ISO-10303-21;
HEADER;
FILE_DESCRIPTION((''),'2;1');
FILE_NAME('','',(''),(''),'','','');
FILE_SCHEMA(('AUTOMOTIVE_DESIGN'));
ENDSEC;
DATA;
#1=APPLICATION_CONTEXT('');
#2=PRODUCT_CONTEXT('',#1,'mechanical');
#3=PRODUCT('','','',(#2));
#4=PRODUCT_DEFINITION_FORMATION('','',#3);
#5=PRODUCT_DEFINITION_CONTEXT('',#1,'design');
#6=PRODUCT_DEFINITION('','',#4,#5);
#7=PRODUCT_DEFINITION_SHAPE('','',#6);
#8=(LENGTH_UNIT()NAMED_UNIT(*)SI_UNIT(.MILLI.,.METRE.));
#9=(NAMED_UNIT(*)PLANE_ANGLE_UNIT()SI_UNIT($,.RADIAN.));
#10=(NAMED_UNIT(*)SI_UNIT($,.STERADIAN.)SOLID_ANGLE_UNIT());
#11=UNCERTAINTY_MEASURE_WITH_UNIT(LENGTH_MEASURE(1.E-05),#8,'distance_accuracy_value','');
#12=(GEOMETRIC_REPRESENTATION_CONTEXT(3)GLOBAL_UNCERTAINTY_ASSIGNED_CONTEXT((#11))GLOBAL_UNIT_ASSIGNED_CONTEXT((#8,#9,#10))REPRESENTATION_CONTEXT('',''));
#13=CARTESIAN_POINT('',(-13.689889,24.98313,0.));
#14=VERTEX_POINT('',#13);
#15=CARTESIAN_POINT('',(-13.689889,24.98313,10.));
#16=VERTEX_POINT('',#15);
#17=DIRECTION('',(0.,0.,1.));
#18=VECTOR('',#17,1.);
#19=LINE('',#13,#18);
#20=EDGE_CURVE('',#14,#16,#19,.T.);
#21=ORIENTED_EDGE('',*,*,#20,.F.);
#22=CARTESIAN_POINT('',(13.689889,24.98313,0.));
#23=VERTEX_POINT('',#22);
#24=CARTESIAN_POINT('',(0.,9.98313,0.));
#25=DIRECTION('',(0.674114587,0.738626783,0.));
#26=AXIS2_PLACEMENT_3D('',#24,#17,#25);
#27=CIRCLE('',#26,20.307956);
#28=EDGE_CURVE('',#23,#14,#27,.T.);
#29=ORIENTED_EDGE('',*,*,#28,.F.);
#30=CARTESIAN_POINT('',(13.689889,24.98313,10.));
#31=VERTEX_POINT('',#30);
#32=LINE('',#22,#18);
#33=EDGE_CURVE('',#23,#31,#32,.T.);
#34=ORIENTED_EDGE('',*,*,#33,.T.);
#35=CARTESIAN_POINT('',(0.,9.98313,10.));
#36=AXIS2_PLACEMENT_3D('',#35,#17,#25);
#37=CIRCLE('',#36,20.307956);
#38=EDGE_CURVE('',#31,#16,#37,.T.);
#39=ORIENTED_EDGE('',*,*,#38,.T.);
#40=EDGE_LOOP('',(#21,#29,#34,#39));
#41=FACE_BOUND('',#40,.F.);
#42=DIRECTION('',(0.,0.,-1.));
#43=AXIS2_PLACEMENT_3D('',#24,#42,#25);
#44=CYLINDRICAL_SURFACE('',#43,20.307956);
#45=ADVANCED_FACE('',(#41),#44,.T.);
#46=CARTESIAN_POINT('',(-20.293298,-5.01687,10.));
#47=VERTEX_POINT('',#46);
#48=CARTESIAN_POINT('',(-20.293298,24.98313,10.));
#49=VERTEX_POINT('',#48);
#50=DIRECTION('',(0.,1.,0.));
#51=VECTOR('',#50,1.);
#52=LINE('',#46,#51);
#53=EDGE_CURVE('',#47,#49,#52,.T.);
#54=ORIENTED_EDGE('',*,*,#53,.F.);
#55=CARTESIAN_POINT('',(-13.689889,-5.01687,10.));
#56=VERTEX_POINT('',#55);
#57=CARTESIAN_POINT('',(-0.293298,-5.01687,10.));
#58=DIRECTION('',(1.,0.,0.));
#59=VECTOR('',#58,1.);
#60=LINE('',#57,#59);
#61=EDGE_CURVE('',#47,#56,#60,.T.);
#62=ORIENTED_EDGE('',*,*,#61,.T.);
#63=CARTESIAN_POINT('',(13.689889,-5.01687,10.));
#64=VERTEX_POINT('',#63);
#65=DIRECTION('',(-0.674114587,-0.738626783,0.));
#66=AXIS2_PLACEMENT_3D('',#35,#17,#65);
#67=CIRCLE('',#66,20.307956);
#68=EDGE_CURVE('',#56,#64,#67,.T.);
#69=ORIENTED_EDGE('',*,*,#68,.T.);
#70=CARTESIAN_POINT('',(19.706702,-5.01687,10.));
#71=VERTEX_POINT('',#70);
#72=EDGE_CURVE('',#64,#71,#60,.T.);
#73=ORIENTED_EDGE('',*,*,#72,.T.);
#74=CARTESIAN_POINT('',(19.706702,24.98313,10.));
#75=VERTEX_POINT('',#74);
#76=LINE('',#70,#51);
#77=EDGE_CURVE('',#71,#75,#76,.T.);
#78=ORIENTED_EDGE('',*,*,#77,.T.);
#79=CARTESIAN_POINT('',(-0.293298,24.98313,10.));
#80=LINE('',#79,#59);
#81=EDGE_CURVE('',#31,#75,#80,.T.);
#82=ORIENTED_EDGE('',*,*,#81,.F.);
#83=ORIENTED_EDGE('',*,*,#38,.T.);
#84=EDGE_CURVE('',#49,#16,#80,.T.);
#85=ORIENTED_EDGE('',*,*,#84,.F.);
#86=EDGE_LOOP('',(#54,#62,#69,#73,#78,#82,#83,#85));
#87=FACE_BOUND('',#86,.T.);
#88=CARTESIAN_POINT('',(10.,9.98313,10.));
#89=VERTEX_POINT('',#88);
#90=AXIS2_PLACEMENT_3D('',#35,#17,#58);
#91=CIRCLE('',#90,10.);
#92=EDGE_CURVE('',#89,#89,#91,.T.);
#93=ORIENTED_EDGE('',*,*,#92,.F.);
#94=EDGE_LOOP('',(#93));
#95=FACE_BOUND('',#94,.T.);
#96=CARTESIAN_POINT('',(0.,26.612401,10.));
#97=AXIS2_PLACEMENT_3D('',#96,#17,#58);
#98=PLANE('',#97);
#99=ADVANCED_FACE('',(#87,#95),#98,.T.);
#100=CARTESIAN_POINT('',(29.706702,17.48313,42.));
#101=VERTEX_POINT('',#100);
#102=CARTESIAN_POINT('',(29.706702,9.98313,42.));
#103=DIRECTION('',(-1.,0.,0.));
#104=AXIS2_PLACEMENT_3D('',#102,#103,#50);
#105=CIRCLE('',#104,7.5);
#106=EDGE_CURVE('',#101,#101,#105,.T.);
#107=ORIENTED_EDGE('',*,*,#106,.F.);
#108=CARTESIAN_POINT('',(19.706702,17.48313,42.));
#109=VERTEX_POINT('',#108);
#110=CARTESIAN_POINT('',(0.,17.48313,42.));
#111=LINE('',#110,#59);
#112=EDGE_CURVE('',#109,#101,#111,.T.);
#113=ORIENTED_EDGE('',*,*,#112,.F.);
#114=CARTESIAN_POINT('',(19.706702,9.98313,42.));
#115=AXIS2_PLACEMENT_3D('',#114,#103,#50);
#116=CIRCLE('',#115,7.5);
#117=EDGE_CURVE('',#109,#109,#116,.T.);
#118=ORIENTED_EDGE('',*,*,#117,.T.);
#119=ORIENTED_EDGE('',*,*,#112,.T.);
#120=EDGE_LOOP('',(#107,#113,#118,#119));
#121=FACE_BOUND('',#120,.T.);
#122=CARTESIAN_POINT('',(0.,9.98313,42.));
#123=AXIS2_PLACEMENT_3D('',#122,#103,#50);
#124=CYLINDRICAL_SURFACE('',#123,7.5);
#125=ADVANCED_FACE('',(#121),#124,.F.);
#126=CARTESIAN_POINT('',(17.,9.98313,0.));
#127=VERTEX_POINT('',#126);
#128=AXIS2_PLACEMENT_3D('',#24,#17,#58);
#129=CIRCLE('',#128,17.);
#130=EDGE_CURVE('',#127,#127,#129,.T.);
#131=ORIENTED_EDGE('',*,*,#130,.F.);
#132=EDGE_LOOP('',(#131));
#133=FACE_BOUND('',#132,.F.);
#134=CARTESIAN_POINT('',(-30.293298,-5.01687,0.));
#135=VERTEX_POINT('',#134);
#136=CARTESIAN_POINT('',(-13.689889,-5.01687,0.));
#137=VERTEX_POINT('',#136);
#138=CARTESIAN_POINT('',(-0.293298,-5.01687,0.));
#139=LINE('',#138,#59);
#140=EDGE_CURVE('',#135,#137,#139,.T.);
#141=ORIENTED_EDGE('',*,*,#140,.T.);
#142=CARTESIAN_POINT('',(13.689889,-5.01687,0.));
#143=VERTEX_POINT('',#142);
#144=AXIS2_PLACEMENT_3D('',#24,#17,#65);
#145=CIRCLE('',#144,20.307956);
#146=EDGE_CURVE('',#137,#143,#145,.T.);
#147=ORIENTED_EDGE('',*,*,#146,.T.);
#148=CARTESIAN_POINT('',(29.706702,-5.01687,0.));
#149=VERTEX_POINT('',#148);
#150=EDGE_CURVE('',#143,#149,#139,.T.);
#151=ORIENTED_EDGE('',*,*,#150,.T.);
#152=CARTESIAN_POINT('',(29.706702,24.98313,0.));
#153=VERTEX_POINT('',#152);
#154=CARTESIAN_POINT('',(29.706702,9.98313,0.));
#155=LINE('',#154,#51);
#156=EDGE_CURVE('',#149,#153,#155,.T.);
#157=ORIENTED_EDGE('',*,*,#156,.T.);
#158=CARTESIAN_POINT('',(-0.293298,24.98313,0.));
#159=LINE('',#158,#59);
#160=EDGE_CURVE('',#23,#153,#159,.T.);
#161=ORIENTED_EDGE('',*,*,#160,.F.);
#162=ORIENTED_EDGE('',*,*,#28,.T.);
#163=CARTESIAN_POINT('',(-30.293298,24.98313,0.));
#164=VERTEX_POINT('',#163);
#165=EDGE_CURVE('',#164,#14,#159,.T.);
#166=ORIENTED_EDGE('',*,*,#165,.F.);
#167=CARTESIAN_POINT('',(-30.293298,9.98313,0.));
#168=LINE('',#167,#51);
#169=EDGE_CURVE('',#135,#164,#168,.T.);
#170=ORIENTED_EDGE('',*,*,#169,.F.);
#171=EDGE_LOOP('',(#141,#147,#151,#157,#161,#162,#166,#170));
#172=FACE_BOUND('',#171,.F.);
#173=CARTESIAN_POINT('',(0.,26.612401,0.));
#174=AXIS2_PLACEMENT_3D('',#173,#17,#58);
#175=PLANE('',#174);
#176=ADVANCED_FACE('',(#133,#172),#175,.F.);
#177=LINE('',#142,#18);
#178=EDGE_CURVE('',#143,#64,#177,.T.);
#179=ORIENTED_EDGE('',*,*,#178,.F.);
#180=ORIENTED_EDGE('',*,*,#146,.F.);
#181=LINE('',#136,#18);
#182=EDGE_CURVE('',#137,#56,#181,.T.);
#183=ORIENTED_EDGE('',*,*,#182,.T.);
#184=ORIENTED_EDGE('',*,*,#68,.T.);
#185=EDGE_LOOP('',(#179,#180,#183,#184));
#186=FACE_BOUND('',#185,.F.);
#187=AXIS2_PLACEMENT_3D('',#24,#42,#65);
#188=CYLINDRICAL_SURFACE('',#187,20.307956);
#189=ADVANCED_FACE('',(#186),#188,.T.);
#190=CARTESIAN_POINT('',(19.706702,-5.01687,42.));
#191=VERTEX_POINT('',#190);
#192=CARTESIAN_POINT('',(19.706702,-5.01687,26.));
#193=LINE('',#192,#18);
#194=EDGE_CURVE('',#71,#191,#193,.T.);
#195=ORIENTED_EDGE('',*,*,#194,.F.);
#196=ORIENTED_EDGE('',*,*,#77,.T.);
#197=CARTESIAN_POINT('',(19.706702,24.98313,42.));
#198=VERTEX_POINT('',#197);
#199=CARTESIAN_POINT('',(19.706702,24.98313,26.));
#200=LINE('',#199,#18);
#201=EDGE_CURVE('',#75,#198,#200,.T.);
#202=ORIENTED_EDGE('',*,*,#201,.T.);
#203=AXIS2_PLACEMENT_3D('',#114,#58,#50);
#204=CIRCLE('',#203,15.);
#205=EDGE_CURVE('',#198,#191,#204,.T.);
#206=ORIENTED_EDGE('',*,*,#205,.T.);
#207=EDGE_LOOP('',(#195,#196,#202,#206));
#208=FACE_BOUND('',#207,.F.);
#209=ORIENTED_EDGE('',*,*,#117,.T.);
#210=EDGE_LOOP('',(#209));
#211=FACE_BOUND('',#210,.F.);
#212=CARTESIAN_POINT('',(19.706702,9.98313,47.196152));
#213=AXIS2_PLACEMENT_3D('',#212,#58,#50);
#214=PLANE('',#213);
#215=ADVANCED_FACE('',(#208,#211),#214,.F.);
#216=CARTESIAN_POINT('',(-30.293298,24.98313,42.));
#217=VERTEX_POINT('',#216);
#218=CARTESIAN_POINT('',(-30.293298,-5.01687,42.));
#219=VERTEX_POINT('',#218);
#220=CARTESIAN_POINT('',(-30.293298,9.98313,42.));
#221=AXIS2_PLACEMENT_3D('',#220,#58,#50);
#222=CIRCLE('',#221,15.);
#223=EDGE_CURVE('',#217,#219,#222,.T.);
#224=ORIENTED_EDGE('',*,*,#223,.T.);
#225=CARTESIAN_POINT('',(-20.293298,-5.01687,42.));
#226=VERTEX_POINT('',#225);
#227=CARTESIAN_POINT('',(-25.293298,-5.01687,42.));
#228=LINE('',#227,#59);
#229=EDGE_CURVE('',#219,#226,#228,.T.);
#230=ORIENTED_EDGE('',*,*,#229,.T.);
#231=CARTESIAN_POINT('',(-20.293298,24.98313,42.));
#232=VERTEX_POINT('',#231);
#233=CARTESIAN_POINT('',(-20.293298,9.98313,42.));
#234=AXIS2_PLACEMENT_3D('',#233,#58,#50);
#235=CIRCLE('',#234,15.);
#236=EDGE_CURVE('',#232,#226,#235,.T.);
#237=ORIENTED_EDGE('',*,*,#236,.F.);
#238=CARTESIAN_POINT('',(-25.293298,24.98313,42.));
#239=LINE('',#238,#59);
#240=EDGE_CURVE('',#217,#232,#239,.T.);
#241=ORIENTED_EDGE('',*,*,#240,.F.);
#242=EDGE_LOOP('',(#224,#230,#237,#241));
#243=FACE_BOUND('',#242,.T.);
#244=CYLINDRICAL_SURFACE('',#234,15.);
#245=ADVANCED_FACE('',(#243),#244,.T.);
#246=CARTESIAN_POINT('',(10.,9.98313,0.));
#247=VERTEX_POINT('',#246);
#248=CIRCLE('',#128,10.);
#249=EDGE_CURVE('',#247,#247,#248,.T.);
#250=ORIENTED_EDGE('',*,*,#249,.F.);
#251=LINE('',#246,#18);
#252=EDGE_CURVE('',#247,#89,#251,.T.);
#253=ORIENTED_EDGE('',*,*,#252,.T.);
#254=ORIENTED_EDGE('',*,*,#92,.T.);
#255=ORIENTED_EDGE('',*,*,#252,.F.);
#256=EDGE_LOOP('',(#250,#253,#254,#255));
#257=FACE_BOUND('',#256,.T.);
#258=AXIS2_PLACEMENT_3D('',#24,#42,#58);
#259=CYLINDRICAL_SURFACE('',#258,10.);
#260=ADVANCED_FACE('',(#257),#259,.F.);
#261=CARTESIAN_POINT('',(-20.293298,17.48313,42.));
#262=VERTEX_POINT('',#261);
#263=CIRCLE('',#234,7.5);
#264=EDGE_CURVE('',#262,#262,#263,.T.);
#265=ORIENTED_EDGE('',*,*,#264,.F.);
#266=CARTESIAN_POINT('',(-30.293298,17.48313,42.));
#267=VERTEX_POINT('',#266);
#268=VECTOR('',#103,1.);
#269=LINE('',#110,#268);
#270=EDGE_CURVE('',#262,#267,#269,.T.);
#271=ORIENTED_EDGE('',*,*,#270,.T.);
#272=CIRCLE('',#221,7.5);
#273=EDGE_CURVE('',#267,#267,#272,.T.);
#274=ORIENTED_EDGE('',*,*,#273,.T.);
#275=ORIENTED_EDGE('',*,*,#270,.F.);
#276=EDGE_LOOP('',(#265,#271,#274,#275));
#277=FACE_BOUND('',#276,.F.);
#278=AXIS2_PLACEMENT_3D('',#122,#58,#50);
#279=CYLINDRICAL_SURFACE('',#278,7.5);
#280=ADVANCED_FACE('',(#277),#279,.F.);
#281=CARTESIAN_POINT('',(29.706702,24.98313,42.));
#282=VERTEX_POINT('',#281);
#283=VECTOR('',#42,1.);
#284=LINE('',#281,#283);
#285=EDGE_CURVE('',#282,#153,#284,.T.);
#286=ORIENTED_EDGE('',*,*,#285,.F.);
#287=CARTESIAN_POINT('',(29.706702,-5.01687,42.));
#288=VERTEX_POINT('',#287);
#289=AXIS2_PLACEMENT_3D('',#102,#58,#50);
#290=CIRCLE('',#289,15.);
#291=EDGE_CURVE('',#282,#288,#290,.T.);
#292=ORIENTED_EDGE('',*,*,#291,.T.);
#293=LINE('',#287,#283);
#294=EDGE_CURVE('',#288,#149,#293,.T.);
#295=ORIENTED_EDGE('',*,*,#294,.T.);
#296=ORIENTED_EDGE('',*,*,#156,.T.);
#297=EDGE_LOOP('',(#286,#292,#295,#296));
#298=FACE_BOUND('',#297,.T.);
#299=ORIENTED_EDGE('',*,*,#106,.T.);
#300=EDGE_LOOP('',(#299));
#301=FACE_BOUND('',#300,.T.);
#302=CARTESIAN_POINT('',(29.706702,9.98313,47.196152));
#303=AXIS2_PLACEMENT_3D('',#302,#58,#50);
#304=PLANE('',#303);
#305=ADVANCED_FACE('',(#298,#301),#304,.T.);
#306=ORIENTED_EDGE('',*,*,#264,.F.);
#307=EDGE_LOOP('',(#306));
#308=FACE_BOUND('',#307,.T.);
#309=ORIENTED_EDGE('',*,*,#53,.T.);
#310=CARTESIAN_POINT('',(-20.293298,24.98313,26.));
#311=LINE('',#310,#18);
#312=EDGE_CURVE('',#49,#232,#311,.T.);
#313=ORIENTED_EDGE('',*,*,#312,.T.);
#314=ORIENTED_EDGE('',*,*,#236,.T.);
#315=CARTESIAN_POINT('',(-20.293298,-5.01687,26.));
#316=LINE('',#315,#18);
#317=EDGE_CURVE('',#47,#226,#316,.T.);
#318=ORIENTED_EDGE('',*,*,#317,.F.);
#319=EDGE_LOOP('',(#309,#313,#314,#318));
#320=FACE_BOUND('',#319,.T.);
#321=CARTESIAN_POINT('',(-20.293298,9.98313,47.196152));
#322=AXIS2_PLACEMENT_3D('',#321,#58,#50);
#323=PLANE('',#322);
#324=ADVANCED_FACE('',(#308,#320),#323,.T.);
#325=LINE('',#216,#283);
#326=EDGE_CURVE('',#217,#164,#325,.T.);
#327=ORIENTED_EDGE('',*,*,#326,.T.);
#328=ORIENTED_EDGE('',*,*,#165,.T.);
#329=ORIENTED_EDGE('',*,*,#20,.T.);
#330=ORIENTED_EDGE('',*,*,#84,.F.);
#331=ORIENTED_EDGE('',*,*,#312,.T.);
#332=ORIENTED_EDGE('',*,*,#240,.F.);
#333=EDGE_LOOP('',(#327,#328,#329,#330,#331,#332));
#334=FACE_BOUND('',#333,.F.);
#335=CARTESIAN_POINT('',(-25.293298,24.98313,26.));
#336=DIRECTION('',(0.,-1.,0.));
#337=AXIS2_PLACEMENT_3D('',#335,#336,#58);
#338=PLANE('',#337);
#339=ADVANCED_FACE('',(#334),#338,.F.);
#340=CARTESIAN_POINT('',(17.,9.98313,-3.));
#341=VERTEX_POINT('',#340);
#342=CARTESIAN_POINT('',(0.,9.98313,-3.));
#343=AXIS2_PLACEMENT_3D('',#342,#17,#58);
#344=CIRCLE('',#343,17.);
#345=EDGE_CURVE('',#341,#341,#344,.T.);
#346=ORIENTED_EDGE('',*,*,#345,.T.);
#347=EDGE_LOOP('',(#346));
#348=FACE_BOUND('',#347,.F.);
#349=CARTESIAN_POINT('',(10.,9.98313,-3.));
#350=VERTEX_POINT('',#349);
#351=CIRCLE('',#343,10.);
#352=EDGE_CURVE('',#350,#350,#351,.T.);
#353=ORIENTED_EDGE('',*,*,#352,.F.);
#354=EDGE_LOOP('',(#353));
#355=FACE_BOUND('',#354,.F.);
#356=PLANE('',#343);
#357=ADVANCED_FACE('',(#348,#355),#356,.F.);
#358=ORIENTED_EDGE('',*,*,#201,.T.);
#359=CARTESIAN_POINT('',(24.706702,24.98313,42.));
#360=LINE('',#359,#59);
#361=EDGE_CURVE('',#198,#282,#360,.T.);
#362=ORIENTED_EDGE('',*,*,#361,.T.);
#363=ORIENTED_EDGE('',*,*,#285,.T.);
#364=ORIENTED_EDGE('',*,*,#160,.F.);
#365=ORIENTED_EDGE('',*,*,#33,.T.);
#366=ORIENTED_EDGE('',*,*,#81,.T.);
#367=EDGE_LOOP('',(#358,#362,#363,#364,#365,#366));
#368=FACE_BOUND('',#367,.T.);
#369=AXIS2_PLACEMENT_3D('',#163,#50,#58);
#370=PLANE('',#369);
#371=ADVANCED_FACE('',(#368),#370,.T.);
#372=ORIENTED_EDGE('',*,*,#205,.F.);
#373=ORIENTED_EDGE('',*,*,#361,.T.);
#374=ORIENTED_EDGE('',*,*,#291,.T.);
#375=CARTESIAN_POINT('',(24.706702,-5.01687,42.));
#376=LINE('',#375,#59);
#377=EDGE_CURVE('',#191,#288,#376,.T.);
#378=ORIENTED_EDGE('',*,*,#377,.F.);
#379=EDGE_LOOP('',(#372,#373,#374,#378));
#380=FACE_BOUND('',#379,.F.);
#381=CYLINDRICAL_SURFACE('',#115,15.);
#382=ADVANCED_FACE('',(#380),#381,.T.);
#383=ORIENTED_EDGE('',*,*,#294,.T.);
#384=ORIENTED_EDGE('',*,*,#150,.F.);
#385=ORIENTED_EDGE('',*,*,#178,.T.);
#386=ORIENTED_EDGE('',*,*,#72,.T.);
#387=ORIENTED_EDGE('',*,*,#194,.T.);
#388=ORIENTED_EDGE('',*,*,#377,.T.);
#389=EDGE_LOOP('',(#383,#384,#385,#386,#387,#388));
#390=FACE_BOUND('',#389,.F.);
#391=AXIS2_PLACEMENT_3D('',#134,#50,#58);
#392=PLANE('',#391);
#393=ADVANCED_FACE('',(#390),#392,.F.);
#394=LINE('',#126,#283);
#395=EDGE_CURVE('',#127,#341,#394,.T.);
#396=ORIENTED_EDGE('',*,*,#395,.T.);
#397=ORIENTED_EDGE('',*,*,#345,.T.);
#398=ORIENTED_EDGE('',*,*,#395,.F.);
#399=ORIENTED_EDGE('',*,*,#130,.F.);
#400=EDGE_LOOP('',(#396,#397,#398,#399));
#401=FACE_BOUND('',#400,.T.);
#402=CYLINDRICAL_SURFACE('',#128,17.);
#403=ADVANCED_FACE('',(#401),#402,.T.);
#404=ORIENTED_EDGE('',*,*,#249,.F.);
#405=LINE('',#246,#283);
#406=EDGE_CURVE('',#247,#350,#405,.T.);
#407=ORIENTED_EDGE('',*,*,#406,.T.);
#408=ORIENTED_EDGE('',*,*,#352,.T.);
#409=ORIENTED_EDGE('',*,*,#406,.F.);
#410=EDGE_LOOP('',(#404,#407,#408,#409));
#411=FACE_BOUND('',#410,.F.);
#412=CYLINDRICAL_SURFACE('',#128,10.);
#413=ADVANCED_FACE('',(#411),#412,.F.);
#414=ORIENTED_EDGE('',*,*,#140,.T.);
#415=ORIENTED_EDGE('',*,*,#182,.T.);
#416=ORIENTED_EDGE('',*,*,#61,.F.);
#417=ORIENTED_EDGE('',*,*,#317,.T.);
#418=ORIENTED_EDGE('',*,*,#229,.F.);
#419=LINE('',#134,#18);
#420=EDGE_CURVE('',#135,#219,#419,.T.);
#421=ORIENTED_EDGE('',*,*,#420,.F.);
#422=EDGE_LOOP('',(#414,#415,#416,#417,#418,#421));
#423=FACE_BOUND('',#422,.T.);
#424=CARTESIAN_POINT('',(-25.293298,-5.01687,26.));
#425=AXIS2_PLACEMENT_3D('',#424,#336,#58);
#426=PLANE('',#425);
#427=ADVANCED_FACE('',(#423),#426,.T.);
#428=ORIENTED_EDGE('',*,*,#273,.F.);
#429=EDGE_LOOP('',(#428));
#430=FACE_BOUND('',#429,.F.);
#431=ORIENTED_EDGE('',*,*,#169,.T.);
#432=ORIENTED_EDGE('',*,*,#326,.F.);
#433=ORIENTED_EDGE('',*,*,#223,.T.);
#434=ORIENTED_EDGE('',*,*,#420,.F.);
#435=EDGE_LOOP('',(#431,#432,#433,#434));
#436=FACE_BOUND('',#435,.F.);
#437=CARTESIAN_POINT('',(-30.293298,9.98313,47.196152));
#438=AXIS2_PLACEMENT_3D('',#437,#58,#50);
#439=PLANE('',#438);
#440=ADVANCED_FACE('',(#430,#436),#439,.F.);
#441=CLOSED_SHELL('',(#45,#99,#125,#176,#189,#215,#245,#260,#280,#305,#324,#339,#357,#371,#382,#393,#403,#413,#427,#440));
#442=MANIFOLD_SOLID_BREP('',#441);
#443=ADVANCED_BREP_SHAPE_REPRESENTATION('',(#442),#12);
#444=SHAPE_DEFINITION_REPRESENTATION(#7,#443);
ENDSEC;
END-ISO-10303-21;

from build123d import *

# Parameters (mm, degrees)
F0_W           = 60
F0_H           = 30
F1_DEPTH       = 10
F2_R           = 10
F3_DEPTH       = 10
F4_R           = 10
F5_DEPTH       = 10
F5_DEPTH_BACK  = 17.75
F6_R           = 17
F7_DEPTH       = 3
F8_R           = 10
F9_DEPTH       = 25
F10_W          = 10
F10_H          = 32
F11_DEPTH      = 5.0168695525
F11_DEPTH_BACK = 24.9831304475
F13_START      = 19.7067023069
F13_DEPTH      = 10
F14_START      = -20.2932976931
F14_DEPTH      = 10
F15_R          = 7.5
F16_DEPTH      = 44.75
F16_DEPTH_BACK = 50.75


with BuildPart() as f1:
    # F0 (on Top) → F1 (new body)
    with BuildSketch(Plane.XY):
        with Locations((-0.2932976931, 9.9831304475)):
            Rectangle(F0_W, F0_H)
    extrude(amount=F1_DEPTH)

    # F2 (on Top) → F3 (join)
    with BuildSketch(Plane.XY):
        with BuildLine():
            ThreePointArc((13.6898891806, 24.9831304475), (0, 30.2910861737), (-13.6898891806, 24.9831304475))
            Line((-13.6898891806, 24.9831304475), (13.6898891806, 24.9831304475))
        make_face()
        with BuildLine():
            Line((13.6898891806, 24.9831304475), (-13.6898891806, 24.9831304475))
            ThreePointArc((-13.6898891806, 24.9831304475), (-18.2871818958, 18.8144408875), (-20.2599732919, 11.3783178851))
            ThreePointArc((-20.2599732919, 11.3783178851), (-18.8506984819, 2.4290433073), (-13.6898891806, -5.0168695525))
            Line((-13.6898891806, -5.0168695525), (13.6898891806, -5.0168695525))
            ThreePointArc((13.6898891806, -5.0168695525), (18.6883022663, 2.0357771662), (20.300634623, 10.52838239))
            ThreePointArc((20.300634623, 10.52838239), (18.4681851426, 18.4293842511), (13.6898891806, 24.9831304475))
        make_face()
        with Locations((0, 9.9831304475)):
            Circle(F2_R, mode=Mode.SUBTRACT)
        with BuildLine():
            Line((13.6898891806, -5.0168695525), (-13.6898891806, -5.0168695525))
            ThreePointArc((-13.6898891806, -5.0168695525), (0, -10.3248252786), (13.6898891806, -5.0168695525))
        make_face()
    extrude(amount=F3_DEPTH)

    # F4 (on Top) → F5 (cut, two sides)
    with BuildSketch(Plane.XY) as f5_sk:
        with Locations((0, 9.9831304475)):
            Circle(F4_R)
    extrude(amount=F5_DEPTH, mode=Mode.SUBTRACT)
    extrude(f5_sk.sketch, amount=-F5_DEPTH_BACK, mode=Mode.SUBTRACT)

    # F6 (on Top) → F7 (join)
    with BuildSketch(Plane.XY):
        with Locations((0, 9.9831304475)):
            Circle(F6_R)
    extrude(amount=-F7_DEPTH)

    # F8 (on Top) → F9 (cut)
    with BuildSketch(Plane.XY):
        with Locations((0, 9.9831304475)):
            Circle(F8_R)
    extrude(amount=-F9_DEPTH, mode=Mode.SUBTRACT)

    # F10 (on Front) → F11 (join, two sides)
    with BuildSketch(Plane.XZ) as f11_sk:
        with Locations((-25.2932976931, 26)):
            Rectangle(F10_W, F10_H)
        with Locations((24.7067023069, 26)):
            Rectangle(F10_W, F10_H)
    extrude(amount=F11_DEPTH)
    extrude(f11_sk.sketch, amount=-F11_DEPTH_BACK)

    # F12 (on Right) → F13 (join)
    with BuildSketch(Plane.YZ.offset(F13_START)):
        with BuildLine():
            ThreePointArc((24.9831304473, 42), (9.9831304473, 57), (-5.0168695527, 42))
            Line((-5.0168695527, 42), (24.9831304473, 42))
        make_face()
    extrude(amount=F13_DEPTH)

    # F12 (on Right) → F14 (join)
    with BuildSketch(Plane.YZ.offset(F14_START)):
        with BuildLine():
            ThreePointArc((24.9831304473, 42), (9.9831304473, 57), (-5.0168695527, 42))
            Line((-5.0168695527, 42), (24.9831304473, 42))
        make_face()
    extrude(amount=-F14_DEPTH)

    # F15 (on Right) → F16 (cut, two sides)
    with BuildSketch(Plane.YZ) as f16_sk:
        with Locations((9.9831304473, 42)):
            Circle(F15_R)
    extrude(amount=-F16_DEPTH, mode=Mode.SUBTRACT)
    extrude(f16_sk.sketch, amount=F16_DEPTH_BACK, mode=Mode.SUBTRACT)


solid = f1.part
